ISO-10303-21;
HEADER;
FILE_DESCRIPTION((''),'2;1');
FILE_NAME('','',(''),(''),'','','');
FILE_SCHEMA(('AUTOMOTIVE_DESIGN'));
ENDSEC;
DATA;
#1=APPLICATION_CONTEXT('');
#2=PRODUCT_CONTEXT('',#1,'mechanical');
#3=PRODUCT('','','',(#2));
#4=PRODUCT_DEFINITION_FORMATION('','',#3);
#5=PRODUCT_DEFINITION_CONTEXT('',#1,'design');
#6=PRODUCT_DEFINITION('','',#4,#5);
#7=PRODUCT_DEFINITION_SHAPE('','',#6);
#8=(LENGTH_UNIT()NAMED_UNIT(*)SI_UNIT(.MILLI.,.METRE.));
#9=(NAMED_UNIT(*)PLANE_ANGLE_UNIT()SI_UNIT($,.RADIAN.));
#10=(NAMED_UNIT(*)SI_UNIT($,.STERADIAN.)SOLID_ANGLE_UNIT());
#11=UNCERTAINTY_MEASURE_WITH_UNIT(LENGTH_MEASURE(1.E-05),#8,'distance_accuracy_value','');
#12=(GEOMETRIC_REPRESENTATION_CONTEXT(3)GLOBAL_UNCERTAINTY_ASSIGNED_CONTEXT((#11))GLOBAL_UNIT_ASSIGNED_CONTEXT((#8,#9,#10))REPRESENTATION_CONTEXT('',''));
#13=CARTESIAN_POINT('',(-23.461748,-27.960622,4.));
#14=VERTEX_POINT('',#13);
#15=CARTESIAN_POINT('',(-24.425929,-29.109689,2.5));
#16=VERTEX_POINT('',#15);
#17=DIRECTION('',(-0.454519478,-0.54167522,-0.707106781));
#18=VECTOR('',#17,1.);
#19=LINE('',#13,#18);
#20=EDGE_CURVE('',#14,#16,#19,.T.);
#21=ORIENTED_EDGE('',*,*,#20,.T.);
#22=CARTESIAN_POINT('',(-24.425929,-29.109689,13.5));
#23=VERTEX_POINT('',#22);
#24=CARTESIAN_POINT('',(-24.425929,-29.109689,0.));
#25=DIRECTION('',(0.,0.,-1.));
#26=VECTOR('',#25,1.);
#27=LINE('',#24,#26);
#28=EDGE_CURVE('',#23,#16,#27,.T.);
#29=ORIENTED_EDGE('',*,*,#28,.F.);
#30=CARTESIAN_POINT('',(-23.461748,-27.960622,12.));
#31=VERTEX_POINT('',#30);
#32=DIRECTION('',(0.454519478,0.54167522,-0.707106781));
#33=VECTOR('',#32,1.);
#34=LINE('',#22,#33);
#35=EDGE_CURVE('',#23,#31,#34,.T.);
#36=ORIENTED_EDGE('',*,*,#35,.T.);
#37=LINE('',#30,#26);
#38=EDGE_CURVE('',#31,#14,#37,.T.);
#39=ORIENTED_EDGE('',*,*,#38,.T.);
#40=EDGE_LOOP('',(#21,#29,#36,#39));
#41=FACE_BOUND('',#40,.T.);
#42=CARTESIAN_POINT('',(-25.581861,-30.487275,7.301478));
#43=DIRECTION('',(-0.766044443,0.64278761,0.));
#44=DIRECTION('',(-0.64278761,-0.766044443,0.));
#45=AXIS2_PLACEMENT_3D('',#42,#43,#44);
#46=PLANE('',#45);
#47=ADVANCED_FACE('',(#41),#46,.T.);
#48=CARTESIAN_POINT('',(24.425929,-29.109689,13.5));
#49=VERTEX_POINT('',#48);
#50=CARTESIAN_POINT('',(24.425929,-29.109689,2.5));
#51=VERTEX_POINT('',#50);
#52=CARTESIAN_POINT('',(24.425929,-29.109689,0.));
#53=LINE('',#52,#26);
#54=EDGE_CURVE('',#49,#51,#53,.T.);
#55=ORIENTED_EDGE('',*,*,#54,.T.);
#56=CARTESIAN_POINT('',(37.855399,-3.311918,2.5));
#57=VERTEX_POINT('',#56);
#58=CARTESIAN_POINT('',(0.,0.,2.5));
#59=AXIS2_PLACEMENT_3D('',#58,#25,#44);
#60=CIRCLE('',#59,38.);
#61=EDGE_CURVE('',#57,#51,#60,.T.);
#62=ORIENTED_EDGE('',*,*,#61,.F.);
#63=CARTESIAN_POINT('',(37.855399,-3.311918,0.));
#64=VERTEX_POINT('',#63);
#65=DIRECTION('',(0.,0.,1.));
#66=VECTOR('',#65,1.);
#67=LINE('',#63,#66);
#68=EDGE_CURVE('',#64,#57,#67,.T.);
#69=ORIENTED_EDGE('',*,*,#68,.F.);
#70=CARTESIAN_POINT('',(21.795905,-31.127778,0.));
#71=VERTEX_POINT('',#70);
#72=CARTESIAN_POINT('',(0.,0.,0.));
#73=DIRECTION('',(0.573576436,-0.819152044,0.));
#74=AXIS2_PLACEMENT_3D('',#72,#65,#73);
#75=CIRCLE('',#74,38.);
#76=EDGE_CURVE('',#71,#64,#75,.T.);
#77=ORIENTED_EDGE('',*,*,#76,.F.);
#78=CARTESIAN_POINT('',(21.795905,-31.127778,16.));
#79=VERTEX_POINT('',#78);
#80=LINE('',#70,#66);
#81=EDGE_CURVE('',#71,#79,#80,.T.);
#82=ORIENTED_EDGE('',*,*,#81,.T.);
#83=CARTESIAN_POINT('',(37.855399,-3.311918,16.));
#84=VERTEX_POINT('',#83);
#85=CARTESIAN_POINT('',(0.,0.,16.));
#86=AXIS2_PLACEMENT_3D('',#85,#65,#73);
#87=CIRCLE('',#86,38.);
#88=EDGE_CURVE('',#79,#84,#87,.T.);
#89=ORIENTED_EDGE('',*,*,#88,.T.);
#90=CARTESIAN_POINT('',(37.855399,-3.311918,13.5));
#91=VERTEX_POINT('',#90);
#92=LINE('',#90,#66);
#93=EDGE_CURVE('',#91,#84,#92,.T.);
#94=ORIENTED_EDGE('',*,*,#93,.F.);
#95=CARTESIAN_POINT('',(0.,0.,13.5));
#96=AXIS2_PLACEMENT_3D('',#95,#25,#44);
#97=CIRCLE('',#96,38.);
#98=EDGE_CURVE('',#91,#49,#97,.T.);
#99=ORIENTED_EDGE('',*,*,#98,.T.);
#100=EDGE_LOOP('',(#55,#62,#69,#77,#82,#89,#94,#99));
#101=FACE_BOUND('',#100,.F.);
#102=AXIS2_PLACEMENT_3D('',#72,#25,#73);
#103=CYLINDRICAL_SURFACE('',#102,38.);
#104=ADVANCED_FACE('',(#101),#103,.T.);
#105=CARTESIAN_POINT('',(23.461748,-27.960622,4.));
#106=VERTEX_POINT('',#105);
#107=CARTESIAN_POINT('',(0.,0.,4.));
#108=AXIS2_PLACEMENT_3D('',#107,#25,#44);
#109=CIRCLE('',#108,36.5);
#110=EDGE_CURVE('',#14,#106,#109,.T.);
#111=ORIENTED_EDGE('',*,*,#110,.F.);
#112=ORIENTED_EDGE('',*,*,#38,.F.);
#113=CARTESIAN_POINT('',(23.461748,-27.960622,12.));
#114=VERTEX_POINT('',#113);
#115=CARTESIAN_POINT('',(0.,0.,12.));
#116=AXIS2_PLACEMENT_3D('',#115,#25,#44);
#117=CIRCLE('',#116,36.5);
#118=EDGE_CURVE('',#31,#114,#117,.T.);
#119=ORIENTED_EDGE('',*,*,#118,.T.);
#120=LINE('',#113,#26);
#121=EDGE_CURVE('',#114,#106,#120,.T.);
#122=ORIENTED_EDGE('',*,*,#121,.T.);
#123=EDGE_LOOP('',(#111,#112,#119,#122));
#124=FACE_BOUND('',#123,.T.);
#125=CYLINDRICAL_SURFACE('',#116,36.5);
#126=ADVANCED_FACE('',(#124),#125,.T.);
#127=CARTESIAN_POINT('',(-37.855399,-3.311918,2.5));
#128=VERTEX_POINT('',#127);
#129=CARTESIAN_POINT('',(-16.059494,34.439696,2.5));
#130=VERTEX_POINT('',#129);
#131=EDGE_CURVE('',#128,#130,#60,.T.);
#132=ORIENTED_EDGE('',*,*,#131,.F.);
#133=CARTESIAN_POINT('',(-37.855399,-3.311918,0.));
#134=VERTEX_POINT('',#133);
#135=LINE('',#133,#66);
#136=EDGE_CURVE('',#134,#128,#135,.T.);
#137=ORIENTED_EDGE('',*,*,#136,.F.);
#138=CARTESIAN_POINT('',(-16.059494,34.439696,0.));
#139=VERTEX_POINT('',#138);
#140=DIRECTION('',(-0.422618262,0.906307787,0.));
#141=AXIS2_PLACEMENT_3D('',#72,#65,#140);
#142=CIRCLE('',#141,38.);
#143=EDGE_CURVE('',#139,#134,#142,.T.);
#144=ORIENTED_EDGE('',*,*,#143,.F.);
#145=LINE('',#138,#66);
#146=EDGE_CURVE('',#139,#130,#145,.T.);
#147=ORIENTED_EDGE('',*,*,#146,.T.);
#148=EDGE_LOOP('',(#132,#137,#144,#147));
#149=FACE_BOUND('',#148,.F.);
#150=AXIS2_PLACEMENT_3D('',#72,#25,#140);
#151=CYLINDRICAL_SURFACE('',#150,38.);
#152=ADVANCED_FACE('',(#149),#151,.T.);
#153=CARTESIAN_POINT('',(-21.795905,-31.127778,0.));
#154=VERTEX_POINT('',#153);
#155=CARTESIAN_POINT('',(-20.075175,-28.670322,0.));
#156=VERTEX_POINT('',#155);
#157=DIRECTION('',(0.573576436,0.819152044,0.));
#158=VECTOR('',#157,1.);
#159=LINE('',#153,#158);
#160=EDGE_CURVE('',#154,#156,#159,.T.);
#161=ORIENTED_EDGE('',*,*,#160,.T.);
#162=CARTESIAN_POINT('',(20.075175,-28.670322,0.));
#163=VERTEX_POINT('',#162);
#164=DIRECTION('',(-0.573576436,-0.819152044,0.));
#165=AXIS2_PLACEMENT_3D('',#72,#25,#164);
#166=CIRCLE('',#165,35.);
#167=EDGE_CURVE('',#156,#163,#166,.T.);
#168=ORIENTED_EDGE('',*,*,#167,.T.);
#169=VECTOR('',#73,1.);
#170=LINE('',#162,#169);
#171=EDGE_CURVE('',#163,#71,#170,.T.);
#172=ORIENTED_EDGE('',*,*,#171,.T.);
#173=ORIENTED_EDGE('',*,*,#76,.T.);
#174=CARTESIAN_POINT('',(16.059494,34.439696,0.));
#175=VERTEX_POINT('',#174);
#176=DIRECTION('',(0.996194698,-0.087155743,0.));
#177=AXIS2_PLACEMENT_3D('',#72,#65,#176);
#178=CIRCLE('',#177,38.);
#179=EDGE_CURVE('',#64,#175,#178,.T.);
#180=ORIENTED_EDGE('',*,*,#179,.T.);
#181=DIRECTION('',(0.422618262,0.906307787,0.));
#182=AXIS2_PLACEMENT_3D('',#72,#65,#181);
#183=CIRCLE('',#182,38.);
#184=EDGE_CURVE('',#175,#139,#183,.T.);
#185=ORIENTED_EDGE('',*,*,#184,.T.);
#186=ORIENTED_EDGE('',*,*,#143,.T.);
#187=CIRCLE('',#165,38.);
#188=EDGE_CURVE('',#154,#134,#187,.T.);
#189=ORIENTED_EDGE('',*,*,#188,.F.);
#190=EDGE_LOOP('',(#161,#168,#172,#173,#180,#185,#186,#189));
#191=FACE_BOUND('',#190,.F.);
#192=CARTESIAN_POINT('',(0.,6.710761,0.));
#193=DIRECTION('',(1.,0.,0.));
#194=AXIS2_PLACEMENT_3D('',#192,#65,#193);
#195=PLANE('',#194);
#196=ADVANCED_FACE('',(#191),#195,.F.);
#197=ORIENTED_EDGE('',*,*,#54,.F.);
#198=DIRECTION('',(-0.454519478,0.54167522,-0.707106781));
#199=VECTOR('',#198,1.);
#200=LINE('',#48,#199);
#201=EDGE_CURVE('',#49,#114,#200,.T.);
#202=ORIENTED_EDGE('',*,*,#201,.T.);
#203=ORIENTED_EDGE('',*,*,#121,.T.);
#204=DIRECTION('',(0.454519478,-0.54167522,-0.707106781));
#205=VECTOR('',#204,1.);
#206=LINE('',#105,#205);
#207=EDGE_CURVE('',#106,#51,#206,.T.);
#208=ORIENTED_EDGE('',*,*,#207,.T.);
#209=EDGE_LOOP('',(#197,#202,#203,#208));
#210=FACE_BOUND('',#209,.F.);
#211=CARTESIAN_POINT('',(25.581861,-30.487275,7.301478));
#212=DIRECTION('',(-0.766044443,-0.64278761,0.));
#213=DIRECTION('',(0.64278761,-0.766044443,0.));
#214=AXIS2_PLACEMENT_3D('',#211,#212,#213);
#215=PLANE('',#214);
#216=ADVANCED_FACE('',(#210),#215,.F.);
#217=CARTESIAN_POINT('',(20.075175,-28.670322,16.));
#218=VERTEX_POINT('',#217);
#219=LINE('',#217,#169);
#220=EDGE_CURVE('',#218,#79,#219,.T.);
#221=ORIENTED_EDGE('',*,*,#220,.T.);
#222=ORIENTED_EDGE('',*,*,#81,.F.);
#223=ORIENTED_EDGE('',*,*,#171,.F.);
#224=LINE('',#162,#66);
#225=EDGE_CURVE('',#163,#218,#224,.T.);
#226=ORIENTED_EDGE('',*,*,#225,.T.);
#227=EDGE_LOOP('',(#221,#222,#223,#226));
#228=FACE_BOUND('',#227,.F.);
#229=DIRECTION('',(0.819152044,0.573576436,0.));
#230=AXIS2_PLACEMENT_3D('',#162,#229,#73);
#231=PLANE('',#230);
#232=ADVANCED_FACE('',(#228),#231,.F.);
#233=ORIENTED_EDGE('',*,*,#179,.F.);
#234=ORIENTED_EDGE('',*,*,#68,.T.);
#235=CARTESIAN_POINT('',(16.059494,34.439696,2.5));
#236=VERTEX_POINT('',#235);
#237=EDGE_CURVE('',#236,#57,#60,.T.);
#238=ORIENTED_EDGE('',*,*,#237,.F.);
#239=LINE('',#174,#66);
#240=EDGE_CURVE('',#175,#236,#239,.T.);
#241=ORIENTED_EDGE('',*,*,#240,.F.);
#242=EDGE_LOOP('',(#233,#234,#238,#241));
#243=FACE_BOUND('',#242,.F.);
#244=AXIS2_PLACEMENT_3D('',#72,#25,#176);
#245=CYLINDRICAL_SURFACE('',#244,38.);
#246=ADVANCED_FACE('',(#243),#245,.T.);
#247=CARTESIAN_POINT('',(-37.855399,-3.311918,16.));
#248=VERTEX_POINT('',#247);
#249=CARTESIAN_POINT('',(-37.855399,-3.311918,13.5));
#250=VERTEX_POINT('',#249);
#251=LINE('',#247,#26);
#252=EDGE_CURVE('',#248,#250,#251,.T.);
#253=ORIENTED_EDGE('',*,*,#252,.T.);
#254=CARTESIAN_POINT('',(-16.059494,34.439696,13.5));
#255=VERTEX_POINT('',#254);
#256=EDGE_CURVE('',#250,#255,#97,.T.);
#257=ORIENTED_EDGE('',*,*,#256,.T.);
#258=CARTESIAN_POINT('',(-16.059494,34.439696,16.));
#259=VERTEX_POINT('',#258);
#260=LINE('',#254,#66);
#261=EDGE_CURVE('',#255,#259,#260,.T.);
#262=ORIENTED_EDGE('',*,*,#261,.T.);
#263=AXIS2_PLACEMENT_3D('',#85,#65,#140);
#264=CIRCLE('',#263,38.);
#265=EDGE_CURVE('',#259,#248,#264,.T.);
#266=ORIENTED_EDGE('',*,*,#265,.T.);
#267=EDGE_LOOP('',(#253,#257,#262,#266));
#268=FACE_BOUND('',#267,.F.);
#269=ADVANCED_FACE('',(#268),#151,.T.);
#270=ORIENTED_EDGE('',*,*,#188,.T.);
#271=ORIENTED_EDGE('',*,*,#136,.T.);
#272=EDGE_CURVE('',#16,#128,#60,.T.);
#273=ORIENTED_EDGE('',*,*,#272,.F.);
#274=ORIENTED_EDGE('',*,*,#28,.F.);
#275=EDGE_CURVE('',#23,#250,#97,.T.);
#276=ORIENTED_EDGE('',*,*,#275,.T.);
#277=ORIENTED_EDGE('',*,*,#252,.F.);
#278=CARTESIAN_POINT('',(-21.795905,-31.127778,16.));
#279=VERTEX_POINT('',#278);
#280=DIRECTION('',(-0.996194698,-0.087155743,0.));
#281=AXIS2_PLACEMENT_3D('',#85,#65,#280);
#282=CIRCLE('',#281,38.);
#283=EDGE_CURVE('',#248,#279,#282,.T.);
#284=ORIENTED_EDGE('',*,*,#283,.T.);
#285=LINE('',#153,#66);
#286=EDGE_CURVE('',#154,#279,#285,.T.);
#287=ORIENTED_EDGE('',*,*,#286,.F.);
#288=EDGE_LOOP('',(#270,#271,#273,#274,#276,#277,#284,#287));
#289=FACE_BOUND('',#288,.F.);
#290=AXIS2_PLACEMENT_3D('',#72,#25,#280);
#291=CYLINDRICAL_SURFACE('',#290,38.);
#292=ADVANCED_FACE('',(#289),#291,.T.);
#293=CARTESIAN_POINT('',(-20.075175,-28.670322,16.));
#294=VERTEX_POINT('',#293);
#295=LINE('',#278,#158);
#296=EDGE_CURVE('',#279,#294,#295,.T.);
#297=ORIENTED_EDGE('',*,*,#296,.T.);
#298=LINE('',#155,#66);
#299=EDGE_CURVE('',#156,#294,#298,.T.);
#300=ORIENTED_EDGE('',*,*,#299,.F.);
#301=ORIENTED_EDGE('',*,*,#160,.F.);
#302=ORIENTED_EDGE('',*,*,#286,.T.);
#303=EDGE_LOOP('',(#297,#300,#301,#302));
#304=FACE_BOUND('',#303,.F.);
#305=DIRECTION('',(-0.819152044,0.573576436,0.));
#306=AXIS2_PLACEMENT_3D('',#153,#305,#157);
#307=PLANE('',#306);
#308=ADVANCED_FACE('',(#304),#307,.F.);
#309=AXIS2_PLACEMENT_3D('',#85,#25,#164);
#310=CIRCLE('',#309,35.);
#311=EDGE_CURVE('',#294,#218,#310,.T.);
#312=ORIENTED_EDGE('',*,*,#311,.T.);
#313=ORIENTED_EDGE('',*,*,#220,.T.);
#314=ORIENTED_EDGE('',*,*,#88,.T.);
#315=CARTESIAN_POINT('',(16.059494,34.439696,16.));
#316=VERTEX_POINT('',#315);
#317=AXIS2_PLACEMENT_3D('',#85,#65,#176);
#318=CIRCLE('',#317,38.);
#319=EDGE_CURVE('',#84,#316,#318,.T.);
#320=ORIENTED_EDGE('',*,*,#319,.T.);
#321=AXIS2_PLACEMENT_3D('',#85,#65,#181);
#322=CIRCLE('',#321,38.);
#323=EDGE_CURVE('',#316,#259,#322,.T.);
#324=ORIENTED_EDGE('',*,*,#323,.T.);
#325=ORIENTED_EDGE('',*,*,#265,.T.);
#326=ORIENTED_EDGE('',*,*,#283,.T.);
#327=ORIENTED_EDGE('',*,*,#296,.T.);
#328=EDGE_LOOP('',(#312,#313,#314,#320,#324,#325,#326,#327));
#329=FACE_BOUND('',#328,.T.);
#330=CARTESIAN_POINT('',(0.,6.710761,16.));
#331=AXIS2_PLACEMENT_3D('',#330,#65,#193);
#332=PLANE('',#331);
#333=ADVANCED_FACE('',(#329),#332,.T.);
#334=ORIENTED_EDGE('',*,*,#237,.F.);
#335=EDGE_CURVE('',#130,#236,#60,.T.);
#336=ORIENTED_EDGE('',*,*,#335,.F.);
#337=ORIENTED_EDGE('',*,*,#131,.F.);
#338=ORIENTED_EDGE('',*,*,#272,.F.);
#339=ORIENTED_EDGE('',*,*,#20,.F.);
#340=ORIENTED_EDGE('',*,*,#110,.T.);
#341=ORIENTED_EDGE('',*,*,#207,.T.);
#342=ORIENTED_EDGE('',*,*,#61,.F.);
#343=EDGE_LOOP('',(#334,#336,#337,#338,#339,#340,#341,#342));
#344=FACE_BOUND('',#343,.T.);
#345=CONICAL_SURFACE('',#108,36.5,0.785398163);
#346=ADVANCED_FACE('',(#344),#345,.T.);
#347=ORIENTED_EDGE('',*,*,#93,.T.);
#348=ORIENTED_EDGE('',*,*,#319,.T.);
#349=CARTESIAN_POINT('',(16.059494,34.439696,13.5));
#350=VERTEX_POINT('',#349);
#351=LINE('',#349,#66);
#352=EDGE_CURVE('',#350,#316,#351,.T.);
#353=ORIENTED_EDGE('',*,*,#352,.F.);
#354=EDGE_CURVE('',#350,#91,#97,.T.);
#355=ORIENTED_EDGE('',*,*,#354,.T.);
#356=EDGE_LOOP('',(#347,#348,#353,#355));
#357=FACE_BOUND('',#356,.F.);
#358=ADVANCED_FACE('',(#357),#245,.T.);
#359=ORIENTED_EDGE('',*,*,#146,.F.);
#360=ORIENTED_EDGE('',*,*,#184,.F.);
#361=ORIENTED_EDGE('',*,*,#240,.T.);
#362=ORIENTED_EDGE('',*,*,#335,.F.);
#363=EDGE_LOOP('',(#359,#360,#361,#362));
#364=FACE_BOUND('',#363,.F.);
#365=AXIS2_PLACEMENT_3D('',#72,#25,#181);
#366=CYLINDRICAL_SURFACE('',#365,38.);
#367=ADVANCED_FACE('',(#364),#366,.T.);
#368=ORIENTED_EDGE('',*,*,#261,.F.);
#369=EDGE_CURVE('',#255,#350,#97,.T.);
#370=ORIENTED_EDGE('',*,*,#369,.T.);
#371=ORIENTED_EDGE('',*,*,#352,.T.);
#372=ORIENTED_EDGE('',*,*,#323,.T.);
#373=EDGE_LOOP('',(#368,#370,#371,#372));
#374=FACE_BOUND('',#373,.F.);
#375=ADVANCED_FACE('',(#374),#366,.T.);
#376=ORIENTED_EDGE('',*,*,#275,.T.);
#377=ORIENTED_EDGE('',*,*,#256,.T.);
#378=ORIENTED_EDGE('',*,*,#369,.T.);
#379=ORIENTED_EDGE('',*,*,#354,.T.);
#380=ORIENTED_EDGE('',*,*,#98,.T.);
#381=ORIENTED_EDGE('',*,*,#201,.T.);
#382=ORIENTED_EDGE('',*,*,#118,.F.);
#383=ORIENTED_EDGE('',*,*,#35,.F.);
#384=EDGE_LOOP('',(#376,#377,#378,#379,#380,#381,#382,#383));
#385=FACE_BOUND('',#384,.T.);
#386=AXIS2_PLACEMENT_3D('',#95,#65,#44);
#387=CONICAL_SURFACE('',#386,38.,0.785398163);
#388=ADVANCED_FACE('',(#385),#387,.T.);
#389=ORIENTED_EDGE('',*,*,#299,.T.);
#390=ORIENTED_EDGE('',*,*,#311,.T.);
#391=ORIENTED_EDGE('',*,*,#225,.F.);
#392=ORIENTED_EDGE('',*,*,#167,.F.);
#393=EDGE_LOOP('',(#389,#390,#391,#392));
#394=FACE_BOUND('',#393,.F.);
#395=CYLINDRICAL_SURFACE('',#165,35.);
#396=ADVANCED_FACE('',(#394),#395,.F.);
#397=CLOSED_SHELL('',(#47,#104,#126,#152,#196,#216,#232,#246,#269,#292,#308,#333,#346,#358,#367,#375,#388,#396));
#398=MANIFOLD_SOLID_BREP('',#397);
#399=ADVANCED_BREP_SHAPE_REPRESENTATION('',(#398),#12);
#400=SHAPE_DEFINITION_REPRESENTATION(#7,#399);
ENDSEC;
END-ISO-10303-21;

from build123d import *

# Parameters (mm, degrees)
F1_DEPTH      = 16
F4_ANGLE_BACK = 140
F4_ANGLE      = 280


with BuildPart() as f1:
    # F0 (on Top) → F1 (new body)
    with BuildSketch(Plane.XY):
        with BuildLine():
            Line((20.0751752723, -28.6703215501), (21.7959045813, -31.127777683))
            ThreePointArc((21.7959045813, -31.127777683), (32.9089653438, -19), (37.8553985275, -3.3119182244))
            ThreePointArc((37.8553985275, -3.3119182244), (32.9089653438, 19), (16.0594939461, 34.4396959074))
            ThreePointArc((16.0594939461, 34.4396959074), (0, 38), (-16.0594939461, 34.4396959074))
            ThreePointArc((-16.0594939461, 34.4396959074), (-32.9089653438, 19), (-37.8553985275, -3.3119182244))
            ThreePointArc((-37.8553985275, -3.3119182244), (-32.9089653438, -19), (-21.7959045813, -31.127777683))
            Line((-21.7959045813, -31.127777683), (-20.0751752723, -28.6703215501))
            ThreePointArc((-20.0751752723, -28.6703215501), (0, 35), (20.0751752723, -28.6703215501))
        make_face()
    extrude(amount=F1_DEPTH)

    # F3 (on Right) → F4 (revolve, cut)
    with BuildSketch(Plane.YZ, mode=Mode.PRIVATE) as f4_sk:
        Polygon((42.4908541927, 14.641066667), (38, 14.4704658035), (38, 13.5), (36.5, 12), (36.5, 4), (38, 2.5), (38, 0), (42.4908541927, 0), align=None)
    revolve(f4_sk.sketch.rotate(Axis((0, 0, 11.2814381719), (0, 0, -1)), -F4_ANGLE_BACK), axis=Axis((0, 0, 11.2814381719), (0, 0, -1)), revolution_arc=F4_ANGLE, mode=Mode.SUBTRACT)


solid = f1.part
